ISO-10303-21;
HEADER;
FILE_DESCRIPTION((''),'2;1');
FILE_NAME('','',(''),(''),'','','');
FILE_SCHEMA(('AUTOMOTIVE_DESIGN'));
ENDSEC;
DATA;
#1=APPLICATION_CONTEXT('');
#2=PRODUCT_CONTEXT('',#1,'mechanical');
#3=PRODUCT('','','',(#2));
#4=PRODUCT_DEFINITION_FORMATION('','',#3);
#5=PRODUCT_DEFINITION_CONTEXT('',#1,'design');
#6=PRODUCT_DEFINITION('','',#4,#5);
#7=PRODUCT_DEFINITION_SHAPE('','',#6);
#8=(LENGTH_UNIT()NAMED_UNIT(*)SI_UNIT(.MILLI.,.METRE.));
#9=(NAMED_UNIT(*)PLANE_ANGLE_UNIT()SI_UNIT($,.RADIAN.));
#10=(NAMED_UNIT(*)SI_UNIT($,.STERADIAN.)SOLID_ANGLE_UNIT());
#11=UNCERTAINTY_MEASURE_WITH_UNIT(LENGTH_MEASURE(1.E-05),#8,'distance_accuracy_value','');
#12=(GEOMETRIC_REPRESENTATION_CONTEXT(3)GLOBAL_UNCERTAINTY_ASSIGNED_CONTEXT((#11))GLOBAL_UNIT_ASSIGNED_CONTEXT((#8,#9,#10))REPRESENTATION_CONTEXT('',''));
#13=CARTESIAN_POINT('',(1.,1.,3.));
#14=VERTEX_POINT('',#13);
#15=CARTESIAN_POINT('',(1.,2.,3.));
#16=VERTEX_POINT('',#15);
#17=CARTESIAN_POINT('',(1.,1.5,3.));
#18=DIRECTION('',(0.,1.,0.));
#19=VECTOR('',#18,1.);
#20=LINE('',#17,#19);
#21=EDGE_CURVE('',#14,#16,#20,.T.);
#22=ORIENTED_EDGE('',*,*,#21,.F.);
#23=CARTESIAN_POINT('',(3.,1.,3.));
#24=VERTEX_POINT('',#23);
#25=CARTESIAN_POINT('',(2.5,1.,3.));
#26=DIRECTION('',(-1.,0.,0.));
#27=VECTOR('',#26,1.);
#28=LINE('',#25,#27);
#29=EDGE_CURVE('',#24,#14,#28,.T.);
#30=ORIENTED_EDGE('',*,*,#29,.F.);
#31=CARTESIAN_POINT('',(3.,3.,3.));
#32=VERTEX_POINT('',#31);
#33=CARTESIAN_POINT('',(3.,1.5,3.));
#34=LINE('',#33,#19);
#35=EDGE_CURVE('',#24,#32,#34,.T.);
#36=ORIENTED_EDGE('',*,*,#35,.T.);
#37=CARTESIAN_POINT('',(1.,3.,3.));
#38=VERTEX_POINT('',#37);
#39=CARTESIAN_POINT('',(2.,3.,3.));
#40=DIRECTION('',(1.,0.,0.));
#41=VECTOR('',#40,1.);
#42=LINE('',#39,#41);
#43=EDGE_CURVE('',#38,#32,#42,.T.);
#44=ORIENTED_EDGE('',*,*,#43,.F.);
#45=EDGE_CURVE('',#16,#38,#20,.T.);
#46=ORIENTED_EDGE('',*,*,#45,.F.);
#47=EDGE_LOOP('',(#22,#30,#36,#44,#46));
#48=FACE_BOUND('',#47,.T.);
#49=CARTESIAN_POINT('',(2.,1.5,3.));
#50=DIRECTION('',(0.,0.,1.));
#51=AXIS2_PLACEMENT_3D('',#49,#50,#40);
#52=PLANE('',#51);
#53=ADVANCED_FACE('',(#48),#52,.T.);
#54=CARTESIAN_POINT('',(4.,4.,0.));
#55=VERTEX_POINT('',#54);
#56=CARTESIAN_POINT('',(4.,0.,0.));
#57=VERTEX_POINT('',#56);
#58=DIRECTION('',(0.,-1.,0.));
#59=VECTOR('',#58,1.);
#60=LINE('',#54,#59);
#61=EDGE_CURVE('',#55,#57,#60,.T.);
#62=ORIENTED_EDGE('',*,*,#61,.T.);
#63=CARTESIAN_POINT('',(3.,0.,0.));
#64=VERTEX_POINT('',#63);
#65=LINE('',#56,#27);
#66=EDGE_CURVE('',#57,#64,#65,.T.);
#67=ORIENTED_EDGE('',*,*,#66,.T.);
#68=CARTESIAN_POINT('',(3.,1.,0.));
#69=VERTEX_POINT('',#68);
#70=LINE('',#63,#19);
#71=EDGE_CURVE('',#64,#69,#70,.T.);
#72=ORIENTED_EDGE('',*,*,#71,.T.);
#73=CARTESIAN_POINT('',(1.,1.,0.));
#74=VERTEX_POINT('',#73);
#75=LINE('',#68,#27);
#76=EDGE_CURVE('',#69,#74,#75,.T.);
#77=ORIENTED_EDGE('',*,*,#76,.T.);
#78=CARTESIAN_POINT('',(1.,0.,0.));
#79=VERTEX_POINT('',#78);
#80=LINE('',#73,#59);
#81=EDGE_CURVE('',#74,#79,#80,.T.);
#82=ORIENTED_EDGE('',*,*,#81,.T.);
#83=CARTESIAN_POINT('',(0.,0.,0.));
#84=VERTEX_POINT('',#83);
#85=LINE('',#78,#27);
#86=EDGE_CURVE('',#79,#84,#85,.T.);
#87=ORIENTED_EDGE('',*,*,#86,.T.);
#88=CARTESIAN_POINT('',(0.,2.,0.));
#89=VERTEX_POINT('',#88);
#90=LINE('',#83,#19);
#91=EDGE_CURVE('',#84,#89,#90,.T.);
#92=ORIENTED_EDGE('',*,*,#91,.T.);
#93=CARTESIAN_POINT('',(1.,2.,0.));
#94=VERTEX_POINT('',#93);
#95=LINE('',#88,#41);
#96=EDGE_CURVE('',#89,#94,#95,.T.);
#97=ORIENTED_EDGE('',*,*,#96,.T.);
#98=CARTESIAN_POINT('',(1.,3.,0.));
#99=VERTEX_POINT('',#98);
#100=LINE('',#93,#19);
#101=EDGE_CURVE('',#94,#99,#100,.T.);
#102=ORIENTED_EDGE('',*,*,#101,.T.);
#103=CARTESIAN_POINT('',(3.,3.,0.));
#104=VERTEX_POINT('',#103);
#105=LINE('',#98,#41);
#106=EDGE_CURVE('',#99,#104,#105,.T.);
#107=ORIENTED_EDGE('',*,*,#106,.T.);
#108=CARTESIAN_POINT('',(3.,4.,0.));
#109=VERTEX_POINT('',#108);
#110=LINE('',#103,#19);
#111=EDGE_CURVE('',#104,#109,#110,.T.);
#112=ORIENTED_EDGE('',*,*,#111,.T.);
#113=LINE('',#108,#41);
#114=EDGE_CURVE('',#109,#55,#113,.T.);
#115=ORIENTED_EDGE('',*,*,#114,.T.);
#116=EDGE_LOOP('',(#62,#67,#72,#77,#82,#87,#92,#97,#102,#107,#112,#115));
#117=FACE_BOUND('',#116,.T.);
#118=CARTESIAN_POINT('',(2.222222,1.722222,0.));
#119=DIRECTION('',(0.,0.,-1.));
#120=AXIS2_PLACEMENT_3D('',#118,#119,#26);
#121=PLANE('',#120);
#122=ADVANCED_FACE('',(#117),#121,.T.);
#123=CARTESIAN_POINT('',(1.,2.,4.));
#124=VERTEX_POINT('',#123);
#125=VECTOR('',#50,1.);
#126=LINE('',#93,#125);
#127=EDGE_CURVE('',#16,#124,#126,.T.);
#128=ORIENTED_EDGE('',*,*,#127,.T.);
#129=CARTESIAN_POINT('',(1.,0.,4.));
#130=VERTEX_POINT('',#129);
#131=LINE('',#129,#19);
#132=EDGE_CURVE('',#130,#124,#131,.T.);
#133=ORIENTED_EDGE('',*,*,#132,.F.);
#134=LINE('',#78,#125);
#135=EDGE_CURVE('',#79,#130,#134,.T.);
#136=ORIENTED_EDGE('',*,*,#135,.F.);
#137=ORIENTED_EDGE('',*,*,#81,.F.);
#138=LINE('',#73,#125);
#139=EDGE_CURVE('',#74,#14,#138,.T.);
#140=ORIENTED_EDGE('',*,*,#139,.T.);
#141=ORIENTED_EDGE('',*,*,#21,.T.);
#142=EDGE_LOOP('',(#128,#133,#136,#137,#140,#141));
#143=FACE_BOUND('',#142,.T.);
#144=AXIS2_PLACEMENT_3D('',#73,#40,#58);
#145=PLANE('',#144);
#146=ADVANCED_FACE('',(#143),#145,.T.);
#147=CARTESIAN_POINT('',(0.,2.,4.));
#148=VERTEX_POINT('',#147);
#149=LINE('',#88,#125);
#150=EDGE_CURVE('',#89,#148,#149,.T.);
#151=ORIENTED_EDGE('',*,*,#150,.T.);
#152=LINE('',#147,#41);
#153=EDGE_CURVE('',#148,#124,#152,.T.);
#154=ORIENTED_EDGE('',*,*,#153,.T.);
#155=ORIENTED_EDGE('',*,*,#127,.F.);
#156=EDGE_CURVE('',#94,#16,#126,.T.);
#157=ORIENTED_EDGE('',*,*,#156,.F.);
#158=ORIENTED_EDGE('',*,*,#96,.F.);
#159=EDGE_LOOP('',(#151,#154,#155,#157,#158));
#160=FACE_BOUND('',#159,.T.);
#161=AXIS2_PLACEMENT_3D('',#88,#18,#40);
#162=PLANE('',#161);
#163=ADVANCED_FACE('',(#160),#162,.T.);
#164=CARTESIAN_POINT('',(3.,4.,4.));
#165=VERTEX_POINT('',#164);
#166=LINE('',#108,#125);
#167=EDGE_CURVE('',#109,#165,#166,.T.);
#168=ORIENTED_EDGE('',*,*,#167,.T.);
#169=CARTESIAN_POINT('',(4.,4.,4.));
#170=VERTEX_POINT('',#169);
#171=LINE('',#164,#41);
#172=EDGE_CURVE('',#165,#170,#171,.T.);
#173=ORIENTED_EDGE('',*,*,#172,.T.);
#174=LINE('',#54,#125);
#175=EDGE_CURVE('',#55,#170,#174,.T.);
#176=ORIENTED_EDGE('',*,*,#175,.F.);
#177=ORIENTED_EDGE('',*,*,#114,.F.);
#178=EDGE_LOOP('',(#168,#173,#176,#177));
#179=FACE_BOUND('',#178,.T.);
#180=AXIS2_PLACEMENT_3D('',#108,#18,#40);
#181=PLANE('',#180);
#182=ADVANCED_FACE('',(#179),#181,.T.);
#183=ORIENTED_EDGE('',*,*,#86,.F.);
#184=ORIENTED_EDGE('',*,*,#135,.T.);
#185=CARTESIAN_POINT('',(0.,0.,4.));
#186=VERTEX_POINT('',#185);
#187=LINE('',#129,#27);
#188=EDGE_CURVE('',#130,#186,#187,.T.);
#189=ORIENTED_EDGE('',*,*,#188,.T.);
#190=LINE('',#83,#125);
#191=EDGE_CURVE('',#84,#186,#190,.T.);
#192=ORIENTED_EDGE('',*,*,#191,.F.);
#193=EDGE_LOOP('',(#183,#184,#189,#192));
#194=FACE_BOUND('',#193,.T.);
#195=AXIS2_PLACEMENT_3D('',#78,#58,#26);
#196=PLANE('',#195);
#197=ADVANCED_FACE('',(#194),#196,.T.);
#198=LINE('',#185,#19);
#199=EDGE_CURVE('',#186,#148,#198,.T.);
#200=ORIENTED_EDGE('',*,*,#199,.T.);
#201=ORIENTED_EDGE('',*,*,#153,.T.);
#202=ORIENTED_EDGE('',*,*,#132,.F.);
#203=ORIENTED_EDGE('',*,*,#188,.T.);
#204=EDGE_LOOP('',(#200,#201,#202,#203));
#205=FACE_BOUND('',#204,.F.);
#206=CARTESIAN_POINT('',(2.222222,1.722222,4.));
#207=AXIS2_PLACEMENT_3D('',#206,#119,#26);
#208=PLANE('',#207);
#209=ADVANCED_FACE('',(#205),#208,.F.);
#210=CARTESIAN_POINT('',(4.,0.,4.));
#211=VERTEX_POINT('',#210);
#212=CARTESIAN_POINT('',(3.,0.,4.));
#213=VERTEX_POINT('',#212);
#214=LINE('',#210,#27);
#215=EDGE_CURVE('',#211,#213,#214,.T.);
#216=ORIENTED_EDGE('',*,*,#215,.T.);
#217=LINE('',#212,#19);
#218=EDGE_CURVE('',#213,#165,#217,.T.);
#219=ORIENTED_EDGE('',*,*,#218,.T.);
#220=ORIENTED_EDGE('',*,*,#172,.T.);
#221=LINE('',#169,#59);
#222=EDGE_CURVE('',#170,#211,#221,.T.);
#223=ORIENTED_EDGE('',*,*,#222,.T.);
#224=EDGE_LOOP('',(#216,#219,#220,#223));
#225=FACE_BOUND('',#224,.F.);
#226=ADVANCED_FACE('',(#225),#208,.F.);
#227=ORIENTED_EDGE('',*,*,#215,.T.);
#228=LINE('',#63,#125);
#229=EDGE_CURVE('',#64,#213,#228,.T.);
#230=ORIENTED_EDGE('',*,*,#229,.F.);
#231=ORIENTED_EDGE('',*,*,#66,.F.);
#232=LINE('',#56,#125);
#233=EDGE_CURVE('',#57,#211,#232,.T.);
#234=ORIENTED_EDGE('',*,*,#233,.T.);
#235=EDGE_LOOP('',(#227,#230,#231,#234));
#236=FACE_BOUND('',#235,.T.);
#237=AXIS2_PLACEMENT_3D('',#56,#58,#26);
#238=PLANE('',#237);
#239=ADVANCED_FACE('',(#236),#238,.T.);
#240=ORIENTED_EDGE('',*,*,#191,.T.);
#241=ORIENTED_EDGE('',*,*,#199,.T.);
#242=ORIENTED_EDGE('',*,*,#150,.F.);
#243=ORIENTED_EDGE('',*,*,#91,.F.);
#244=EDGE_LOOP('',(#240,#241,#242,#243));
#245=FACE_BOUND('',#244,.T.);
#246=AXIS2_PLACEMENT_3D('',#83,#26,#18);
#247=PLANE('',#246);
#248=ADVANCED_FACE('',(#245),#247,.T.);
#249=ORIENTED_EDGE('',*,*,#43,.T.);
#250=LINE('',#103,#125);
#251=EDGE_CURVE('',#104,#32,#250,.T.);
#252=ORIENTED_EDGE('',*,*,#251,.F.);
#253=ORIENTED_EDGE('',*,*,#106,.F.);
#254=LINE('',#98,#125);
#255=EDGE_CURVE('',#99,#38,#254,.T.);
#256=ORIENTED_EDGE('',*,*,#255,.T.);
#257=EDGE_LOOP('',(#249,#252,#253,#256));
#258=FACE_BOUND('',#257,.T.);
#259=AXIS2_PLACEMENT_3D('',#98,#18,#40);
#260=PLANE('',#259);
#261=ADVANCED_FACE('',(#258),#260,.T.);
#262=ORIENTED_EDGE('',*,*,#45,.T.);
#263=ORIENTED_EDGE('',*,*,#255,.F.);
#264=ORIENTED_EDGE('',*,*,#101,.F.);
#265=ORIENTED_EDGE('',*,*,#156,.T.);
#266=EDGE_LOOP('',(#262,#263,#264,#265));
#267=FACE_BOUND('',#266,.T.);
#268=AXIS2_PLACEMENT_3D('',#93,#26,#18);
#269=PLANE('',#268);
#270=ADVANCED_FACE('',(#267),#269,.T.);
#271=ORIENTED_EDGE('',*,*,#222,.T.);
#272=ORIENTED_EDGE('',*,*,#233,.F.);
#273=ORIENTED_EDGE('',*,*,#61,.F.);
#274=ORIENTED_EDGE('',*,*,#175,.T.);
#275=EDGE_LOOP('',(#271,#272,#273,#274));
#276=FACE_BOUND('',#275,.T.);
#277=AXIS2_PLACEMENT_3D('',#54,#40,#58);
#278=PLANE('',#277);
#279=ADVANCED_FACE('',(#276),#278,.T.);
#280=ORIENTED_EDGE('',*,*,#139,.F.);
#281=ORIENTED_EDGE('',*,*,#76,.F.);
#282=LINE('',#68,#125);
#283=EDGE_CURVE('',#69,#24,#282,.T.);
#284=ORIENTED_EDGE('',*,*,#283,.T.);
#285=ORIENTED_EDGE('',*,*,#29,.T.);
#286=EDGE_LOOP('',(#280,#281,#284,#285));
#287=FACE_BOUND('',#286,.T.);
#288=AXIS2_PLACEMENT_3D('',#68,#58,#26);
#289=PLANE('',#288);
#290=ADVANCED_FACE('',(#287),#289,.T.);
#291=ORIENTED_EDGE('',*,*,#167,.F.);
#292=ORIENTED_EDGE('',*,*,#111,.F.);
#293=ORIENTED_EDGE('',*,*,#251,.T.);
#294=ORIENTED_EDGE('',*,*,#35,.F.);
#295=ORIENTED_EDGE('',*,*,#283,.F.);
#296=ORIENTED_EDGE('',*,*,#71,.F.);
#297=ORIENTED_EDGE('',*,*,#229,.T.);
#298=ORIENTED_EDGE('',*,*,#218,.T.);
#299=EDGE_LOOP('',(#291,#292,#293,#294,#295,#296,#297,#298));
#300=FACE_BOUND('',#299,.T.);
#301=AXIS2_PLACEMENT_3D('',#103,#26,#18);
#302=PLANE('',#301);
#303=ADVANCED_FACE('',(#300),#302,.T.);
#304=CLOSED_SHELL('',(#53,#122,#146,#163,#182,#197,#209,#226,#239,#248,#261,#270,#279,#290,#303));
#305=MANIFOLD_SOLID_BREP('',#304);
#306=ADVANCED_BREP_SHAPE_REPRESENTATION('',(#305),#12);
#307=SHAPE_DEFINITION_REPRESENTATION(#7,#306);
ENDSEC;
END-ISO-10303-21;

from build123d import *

# Parameters (mm, degrees)
BOSS_EXTRUDE1_DEPTH = 4
SKETCH2_W           = 2
SKETCH2_H           = 3
CUT_EXTRUDE1_DEPTH  = 1


with BuildPart() as part:
    # Sketch1 → Boss-Extrude1 (new body)
    with BuildSketch(Plane.XY):
        Polygon((0, 0), (0, 2), (1, 2), (1, 3), (3, 3), (3, 4), (4, 4), (4, 0), (3, 0), (3, 1), (1, 1), (1, 0), align=None)
    extrude(amount=BOSS_EXTRUDE1_DEPTH)

    # Sketch2 → Cut-Extrude1 (cut)
    with BuildSketch(Plane.XY.offset(4)):
        with Locations((2, 1.5)):
            Rectangle(SKETCH2_W, SKETCH2_H)
    extrude(amount=-CUT_EXTRUDE1_DEPTH, mode=Mode.SUBTRACT)


solid = part.part
